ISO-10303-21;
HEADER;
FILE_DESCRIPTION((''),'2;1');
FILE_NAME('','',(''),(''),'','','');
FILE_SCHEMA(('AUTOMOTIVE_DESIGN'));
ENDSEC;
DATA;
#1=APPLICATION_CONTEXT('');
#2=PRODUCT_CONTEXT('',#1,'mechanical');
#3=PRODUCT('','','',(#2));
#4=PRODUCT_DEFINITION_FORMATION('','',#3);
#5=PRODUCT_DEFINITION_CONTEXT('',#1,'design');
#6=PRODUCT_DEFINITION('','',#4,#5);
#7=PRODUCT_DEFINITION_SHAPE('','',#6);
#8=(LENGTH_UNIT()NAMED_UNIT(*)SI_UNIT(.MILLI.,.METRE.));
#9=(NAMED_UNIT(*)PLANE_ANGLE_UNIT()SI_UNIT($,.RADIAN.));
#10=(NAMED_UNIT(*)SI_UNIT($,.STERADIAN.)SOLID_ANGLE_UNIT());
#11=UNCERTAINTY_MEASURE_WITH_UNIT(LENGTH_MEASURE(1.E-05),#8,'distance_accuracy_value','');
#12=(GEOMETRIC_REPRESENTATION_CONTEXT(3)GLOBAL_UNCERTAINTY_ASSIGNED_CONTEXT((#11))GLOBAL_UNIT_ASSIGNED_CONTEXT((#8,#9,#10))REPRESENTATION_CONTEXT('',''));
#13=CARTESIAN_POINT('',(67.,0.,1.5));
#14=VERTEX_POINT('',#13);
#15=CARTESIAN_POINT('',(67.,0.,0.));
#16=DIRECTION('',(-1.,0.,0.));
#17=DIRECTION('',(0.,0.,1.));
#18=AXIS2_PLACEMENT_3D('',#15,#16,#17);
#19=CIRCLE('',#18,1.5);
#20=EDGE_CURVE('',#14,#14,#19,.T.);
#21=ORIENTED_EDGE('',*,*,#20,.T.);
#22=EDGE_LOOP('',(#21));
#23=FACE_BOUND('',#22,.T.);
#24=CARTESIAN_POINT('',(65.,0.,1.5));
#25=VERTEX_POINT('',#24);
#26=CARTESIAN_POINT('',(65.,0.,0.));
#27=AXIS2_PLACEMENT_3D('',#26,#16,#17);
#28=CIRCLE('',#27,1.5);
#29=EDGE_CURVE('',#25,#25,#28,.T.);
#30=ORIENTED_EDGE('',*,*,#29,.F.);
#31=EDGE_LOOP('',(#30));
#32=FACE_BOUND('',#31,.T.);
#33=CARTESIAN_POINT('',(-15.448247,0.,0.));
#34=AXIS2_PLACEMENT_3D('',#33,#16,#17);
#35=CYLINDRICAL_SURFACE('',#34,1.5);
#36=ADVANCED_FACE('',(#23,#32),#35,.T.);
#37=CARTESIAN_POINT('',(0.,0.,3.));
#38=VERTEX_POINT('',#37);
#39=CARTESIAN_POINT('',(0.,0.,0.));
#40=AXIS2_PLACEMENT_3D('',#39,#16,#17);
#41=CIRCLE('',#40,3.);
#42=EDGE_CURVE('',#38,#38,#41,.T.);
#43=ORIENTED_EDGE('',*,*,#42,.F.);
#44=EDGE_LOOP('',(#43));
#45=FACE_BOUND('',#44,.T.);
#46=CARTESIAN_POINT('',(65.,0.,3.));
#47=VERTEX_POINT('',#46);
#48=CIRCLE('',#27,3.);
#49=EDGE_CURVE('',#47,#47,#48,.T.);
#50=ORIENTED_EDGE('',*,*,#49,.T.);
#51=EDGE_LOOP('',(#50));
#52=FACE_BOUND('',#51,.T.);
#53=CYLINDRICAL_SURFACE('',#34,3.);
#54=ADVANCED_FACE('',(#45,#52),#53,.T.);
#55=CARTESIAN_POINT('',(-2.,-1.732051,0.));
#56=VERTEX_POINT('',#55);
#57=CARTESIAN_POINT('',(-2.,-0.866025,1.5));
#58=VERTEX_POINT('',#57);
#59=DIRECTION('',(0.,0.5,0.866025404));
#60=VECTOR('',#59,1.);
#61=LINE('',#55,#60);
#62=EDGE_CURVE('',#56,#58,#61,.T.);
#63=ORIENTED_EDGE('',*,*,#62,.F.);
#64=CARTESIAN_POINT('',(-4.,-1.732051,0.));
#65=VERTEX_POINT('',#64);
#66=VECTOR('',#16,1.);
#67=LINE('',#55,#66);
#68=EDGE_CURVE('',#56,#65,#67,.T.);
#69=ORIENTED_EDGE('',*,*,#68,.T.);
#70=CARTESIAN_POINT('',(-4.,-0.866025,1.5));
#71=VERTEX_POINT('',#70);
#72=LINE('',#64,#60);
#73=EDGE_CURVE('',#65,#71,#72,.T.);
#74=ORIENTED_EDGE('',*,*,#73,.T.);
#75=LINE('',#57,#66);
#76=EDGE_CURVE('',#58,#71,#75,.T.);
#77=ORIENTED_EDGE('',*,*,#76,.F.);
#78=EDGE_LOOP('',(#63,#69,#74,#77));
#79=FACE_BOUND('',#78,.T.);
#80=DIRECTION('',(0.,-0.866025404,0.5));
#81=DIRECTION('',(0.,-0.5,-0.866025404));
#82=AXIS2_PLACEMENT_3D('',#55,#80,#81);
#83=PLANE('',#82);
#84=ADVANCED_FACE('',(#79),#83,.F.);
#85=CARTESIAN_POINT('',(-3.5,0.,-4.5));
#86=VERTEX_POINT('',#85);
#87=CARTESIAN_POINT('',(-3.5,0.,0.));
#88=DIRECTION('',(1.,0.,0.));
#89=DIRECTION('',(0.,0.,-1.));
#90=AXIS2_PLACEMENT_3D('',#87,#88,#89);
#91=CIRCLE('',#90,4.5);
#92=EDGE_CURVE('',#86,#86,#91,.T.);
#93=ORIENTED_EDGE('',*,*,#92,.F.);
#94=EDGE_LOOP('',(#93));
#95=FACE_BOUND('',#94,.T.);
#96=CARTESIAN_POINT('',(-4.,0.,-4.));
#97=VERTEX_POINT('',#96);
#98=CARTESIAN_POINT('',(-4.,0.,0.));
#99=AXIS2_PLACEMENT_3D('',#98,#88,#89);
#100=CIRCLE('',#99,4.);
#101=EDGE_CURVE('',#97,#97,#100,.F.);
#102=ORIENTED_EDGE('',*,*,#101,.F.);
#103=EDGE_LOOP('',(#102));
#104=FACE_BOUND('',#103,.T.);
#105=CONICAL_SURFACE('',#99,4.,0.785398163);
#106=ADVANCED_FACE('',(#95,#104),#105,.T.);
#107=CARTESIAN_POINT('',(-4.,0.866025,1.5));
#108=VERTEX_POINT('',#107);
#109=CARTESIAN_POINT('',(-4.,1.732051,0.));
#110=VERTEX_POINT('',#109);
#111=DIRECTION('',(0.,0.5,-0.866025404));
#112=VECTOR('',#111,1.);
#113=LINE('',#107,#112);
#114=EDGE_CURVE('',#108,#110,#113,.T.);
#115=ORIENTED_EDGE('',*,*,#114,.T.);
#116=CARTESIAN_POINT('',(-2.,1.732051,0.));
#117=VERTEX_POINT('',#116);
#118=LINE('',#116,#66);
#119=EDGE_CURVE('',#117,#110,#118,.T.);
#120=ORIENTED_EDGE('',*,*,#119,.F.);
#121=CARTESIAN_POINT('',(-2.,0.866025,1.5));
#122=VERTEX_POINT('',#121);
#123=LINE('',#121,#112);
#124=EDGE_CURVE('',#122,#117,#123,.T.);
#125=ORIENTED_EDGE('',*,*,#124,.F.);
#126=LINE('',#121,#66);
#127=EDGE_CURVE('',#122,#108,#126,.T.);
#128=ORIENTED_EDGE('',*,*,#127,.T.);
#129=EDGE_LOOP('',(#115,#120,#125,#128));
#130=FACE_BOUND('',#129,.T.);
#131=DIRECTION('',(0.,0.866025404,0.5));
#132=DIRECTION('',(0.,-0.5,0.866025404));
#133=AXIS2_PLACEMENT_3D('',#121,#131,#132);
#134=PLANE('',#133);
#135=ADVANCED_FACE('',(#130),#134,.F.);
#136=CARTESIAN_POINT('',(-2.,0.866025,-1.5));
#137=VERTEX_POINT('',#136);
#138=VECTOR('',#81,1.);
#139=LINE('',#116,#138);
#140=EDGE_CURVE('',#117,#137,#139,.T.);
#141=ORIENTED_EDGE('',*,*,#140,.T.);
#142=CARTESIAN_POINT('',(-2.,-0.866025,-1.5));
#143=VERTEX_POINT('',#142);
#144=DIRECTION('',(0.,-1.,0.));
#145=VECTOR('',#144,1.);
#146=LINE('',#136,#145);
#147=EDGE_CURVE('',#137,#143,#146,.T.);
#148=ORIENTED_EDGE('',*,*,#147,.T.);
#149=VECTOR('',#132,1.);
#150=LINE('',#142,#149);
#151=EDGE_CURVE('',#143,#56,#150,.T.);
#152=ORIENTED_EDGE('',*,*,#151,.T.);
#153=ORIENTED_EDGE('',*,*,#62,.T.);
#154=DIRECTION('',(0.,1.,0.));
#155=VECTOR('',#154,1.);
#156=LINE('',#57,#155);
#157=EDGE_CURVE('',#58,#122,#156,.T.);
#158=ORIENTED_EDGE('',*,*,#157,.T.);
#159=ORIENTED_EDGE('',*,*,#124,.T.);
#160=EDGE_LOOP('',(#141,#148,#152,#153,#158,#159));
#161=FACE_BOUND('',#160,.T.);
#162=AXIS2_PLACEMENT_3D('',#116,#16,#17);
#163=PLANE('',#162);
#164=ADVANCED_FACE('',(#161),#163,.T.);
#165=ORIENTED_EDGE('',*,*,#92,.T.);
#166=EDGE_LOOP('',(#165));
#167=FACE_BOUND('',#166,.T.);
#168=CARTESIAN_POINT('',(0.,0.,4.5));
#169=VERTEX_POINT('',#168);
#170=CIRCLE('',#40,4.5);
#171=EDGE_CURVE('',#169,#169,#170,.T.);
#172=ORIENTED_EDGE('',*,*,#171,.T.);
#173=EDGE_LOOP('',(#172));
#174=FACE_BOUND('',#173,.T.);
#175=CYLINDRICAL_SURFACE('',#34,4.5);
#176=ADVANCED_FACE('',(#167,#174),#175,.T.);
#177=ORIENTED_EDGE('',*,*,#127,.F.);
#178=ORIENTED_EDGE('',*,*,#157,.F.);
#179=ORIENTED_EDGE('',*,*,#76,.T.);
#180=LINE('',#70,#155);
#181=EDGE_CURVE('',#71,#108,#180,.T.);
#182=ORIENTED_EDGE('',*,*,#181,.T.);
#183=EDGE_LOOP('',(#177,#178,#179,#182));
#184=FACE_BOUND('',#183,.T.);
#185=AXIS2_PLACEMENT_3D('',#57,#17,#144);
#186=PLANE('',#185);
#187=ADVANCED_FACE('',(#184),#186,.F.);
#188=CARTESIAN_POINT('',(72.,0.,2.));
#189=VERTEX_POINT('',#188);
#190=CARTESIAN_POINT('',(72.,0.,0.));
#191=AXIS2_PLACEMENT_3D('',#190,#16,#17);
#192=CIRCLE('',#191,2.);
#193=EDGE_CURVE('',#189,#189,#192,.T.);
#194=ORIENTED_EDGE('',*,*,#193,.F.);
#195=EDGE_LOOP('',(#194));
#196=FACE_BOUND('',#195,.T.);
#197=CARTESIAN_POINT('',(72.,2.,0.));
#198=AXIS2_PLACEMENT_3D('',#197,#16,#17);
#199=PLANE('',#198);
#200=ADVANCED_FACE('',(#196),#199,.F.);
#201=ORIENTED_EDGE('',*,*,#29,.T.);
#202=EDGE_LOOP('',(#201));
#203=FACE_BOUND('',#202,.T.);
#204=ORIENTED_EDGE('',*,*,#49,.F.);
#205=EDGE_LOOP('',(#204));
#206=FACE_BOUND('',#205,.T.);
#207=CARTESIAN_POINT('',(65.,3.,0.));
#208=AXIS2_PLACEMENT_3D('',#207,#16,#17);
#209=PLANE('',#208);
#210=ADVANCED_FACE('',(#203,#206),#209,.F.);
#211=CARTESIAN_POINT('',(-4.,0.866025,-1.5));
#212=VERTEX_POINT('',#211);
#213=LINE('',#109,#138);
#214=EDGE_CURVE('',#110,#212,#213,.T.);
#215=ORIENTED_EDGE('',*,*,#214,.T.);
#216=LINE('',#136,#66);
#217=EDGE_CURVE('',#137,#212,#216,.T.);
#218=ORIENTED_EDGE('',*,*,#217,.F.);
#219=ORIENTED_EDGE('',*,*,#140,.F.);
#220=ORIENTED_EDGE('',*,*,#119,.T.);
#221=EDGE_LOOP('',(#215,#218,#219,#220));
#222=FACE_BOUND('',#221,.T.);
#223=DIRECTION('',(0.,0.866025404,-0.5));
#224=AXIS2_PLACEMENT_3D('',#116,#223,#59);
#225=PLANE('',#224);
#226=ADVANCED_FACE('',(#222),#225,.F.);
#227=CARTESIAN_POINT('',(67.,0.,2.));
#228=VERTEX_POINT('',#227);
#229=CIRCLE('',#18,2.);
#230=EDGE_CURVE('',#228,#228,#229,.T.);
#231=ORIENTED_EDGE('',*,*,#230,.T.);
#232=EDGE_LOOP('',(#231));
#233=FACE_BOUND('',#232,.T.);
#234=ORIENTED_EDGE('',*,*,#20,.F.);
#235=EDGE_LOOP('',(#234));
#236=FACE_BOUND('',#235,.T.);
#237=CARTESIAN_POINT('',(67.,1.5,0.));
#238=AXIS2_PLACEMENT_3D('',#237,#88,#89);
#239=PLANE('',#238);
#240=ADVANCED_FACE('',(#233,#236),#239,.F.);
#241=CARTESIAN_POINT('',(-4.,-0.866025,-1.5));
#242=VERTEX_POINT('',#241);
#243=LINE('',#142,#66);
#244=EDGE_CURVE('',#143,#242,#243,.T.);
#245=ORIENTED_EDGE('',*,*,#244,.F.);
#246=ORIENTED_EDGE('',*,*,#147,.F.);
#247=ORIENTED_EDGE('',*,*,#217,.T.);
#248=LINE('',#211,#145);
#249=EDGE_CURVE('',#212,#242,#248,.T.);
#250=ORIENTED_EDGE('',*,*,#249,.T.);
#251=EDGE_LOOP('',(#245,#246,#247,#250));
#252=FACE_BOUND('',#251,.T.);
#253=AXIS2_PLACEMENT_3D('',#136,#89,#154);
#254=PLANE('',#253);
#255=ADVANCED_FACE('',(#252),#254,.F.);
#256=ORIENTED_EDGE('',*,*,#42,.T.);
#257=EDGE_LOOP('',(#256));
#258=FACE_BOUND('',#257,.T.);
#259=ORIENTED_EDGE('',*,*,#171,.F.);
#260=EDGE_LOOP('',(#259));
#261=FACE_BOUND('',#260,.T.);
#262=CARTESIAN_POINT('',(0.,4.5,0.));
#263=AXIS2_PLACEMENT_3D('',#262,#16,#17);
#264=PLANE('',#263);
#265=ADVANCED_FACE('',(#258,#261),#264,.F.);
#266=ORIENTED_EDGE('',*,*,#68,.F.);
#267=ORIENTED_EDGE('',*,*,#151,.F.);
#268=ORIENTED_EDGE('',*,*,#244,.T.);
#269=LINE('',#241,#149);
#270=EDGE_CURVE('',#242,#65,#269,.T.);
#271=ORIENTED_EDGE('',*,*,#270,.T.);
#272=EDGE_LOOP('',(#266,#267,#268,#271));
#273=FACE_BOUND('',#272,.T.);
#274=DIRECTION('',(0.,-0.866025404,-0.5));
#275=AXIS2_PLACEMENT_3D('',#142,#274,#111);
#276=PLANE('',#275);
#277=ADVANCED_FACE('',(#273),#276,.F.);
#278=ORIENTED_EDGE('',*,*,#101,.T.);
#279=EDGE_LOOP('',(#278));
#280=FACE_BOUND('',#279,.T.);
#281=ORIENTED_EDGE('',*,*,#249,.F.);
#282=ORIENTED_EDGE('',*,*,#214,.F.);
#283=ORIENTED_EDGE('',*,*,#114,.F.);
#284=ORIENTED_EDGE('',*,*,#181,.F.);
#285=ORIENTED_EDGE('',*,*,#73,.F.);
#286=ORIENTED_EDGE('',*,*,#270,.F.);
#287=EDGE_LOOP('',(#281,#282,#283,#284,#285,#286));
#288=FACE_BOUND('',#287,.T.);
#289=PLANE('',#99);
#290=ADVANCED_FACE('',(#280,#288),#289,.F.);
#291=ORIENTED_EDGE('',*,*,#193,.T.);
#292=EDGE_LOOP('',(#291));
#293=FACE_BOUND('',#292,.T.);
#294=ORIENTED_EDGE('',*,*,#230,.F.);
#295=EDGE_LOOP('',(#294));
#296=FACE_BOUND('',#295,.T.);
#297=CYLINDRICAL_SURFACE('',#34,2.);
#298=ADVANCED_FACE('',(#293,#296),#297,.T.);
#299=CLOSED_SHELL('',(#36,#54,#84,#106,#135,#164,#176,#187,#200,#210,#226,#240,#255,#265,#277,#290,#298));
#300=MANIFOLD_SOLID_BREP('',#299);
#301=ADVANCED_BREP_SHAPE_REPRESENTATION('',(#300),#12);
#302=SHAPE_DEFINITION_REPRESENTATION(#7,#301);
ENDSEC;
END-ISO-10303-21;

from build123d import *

# Parameters (mm, degrees)
CHAMFER2_SIZE      = 0.5
CUT_EXTRUDE1_DEPTH = 2


with BuildPart() as part:
    # Sketch1 → Revolve1 (revolve)
    with BuildSketch(Plane.XY):
        Polygon((0, 3), (65, 3), (65, 1.5), (67, 1.5), (67, 2), (72, 2), (72, 0), (-4, 0), (-4, 4.5), (0, 4.5), align=None)
    revolve(axis=Axis((-15.448246648, 0, 0), (1, 0, 0)))

    # Chamfer2
    chamfer2_edges = [part.edges().sort_by_distance(p)[0] for p in [
        (-4, -4.5, 0),
    ]]
    chamfer(chamfer2_edges, length=CHAMFER2_SIZE)

    # Sketch2 → Cut-Extrude1 (cut)
    with BuildSketch(Plane.ZY.offset(4)):
        Polygon((0, 1.732050808), (-1.5, 0.866025404), (-1.5, -0.866025404), (0, -1.732050808), (1.5, -0.866025404), (1.5, 0.866025404), align=None)
    extrude(amount=-CUT_EXTRUDE1_DEPTH, mode=Mode.SUBTRACT)


solid = part.part
